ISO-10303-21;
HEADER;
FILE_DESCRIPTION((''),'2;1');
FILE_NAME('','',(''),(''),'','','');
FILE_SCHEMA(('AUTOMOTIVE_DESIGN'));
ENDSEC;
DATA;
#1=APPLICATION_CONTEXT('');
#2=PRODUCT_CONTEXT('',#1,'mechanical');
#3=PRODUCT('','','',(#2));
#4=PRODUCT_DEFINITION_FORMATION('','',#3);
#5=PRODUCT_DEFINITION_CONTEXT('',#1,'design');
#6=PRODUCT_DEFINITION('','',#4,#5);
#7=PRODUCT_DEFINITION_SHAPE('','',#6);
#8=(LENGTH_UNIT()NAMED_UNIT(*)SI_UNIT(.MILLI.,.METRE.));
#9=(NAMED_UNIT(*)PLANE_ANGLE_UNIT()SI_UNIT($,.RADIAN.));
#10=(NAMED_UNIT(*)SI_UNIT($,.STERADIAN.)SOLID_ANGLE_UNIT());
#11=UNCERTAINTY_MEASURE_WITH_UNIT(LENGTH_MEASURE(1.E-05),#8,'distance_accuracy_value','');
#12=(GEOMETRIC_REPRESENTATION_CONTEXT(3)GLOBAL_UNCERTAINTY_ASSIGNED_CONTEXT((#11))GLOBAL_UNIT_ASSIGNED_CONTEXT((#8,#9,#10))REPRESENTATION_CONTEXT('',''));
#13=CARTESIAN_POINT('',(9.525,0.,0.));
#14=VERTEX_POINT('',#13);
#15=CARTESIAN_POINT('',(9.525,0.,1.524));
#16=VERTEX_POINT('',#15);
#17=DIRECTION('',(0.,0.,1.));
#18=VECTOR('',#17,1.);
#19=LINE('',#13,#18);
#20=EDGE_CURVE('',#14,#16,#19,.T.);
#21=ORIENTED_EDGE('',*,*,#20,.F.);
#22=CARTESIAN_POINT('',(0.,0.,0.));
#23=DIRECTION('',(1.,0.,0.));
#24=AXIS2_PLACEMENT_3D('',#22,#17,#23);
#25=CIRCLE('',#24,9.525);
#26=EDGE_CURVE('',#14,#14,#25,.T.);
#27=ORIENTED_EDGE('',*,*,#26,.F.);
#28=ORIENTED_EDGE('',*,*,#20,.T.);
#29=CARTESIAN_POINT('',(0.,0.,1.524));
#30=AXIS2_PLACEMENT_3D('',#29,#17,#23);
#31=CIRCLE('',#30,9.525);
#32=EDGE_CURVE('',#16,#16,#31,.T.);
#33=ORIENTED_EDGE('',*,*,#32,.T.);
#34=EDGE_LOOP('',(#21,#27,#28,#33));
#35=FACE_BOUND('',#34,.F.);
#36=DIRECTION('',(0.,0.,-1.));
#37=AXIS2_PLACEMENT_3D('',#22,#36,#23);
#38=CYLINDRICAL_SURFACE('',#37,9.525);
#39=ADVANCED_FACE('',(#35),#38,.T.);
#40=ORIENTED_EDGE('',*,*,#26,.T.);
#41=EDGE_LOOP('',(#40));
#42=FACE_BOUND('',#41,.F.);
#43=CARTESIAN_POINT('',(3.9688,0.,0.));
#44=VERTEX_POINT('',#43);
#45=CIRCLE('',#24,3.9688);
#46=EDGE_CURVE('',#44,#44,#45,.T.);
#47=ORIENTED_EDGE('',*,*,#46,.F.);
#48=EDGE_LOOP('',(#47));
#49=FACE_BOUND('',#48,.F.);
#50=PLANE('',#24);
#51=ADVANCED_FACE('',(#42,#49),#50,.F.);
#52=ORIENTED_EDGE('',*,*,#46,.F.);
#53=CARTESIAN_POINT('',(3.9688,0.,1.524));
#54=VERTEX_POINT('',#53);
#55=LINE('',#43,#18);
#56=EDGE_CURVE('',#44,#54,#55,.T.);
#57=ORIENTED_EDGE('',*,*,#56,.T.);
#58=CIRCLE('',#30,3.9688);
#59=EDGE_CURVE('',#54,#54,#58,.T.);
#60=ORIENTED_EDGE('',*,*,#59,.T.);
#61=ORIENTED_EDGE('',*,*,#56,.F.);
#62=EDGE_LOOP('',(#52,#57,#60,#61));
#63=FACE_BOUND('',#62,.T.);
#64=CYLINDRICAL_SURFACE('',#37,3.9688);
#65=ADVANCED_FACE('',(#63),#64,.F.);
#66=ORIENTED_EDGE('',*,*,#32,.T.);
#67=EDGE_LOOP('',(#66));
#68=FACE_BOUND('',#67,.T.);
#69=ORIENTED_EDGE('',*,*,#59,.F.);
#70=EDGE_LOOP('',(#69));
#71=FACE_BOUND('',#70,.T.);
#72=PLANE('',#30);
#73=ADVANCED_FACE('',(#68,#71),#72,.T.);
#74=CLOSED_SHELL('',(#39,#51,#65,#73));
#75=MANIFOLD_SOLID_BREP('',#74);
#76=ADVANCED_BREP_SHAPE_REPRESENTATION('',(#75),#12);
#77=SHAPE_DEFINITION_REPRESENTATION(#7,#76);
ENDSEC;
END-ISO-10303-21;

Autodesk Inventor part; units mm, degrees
ref_plane "YZ Plane" through (0, 0, 0) normal (1, 0, 0) x (0, 1, 0)
ref_plane "XZ Plane" through (0, 0, 0) normal (0, 1, 0) x (-1, 0, 0)
ref_plane "XY Plane" through (0, 0, 0) normal (0, 0, 1) x (1, 0, 0)
sketch "Sketch1" plane through (0, 0, 0) normal (0, 0, 1) x (1, 0, 0)
  point P0 (0, 0)
sketch "Sketch2" plane through (0, 0, 0) normal (0, 0, 1) x (1, 0, 0)
  circle A0 centre (0, 0) radius 3.9688
  circle A1 centre (0, 0) radius 9.525
  dimension "d0" = 7.9375
  dimension "d1" = 19.05
extrude "Extrusion1" add sketch "Sketch2" along normal blind 1.524
properties part number "14-20 Washer - Flat" material "Aluminum 6061"
